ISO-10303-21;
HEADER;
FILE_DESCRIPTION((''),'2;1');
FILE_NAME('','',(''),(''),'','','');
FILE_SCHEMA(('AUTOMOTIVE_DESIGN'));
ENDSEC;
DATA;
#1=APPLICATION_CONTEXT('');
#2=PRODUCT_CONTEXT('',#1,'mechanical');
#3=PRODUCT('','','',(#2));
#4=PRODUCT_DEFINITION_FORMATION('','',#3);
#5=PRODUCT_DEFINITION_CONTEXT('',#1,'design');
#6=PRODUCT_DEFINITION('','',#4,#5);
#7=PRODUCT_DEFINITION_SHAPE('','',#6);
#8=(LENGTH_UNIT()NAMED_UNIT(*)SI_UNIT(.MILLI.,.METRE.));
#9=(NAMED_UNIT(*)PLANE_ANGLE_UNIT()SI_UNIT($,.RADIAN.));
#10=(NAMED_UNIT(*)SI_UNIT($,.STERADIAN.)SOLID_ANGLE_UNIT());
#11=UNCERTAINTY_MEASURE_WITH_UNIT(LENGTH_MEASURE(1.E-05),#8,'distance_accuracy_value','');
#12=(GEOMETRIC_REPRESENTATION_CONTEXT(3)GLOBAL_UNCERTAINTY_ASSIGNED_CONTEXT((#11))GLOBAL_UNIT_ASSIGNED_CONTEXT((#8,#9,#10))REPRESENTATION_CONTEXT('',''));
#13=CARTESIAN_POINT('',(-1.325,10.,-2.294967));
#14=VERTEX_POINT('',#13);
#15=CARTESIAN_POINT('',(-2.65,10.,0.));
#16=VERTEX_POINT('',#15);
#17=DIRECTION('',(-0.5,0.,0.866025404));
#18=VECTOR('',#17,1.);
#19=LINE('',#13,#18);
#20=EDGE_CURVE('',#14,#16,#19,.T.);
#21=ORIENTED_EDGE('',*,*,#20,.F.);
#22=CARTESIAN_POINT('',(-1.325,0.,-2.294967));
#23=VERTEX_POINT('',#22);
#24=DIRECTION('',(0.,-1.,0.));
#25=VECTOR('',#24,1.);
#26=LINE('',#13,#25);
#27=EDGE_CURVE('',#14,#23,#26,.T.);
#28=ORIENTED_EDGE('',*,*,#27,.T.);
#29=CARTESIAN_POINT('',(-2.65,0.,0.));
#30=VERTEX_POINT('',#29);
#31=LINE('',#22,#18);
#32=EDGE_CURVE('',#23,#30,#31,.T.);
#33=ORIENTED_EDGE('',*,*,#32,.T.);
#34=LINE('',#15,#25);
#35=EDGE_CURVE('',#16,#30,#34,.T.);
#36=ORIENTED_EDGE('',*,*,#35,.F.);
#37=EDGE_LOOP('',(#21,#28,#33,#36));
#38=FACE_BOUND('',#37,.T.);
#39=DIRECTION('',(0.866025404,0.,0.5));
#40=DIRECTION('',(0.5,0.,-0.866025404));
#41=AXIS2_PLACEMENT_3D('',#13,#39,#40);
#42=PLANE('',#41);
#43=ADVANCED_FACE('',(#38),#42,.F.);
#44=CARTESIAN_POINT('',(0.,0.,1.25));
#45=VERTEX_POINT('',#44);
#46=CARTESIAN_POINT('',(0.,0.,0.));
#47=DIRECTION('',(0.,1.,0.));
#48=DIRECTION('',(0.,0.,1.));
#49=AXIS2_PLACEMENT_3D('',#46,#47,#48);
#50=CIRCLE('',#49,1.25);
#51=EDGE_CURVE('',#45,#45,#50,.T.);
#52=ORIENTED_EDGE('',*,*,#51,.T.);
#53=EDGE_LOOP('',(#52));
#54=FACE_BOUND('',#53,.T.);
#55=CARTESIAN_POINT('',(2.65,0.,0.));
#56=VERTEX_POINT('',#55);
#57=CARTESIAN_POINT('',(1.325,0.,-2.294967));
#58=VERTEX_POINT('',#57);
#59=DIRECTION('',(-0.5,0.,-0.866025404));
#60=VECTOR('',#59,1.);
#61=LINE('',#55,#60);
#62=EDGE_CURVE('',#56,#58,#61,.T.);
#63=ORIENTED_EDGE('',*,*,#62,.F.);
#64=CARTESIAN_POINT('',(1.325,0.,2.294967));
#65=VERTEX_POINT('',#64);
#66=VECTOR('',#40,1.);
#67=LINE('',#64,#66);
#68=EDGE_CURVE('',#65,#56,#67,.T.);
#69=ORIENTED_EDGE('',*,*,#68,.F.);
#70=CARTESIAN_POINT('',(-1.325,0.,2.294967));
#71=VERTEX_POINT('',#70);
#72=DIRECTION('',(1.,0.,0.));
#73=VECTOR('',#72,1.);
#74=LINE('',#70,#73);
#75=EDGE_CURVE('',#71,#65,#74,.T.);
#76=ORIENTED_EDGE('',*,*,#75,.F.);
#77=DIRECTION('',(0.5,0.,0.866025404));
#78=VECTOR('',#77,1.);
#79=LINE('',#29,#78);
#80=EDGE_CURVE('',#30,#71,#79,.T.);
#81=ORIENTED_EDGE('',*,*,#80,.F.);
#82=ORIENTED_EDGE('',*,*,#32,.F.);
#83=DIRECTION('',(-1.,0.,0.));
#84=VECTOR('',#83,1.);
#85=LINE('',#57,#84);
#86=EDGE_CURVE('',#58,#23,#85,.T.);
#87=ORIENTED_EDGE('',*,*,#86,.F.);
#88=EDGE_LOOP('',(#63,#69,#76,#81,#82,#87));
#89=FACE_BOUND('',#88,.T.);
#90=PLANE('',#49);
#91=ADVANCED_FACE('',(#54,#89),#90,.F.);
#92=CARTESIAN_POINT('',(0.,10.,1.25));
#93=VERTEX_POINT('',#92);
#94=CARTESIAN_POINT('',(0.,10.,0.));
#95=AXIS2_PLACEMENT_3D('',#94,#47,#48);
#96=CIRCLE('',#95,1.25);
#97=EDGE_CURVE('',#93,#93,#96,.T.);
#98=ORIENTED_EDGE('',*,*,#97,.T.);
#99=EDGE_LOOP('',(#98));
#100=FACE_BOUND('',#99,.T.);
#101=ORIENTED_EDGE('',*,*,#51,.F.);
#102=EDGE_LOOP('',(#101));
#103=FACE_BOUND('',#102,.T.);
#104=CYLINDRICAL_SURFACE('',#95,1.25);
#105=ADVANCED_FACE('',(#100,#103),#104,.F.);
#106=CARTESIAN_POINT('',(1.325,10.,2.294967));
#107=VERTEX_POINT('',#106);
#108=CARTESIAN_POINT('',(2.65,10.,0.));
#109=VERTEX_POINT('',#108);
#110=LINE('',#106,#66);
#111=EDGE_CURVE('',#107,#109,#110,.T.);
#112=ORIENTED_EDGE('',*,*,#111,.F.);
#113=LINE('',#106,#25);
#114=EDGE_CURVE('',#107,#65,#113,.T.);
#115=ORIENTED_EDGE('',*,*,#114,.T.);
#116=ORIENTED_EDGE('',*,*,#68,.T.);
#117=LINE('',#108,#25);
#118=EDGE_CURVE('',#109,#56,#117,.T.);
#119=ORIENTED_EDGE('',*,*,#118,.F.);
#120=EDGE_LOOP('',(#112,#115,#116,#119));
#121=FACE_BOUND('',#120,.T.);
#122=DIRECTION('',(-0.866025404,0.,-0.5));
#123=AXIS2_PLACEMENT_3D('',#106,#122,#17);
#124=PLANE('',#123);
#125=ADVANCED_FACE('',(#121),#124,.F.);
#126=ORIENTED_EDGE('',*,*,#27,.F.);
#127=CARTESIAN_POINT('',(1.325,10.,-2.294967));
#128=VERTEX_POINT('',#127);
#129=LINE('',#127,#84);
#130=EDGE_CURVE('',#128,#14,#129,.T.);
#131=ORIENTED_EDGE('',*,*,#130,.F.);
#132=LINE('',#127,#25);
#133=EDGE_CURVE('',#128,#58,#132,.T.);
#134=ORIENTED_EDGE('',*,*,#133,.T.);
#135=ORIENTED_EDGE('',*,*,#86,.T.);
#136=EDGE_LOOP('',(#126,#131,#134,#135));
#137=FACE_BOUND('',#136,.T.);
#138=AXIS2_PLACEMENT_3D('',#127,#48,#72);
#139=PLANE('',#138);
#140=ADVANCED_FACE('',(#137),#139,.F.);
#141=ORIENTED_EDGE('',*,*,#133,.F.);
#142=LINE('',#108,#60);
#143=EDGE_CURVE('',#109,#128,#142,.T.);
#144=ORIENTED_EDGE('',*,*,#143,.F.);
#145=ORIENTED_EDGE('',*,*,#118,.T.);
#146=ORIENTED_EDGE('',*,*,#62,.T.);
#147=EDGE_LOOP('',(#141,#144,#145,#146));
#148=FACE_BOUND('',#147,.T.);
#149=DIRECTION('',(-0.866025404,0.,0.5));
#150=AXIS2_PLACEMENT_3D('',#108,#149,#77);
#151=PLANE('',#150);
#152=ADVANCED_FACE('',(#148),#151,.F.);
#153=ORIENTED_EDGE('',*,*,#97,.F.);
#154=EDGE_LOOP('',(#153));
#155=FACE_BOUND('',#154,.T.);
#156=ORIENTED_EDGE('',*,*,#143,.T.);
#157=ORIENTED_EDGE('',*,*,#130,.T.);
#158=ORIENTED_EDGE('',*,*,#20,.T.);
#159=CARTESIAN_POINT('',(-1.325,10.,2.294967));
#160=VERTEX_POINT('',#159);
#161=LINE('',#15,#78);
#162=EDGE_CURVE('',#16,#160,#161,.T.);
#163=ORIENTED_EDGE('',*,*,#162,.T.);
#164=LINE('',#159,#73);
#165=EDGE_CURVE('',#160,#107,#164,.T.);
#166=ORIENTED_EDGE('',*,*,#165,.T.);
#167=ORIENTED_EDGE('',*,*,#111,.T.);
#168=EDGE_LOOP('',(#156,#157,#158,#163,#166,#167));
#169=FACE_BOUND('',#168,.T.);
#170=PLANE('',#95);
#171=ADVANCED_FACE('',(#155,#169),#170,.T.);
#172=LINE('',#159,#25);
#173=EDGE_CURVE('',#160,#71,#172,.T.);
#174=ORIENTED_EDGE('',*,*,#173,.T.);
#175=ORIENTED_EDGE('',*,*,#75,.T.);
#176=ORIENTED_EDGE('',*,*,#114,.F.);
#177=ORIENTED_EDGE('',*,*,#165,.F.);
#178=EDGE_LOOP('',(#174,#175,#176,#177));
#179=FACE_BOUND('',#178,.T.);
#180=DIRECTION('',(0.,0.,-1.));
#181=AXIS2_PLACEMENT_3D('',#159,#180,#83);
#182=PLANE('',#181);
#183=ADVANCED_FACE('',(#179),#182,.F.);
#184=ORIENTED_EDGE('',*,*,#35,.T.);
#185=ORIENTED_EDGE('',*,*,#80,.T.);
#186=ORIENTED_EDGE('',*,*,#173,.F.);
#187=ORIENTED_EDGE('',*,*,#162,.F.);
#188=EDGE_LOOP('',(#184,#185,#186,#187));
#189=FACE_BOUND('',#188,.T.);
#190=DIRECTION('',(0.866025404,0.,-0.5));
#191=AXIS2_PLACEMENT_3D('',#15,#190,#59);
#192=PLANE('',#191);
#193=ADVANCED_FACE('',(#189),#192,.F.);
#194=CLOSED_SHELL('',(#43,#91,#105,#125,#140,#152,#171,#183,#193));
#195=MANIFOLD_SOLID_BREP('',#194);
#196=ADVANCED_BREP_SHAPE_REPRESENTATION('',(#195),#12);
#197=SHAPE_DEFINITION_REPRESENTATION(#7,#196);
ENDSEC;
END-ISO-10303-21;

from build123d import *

# Parameters (mm, degrees)
BOSS_EXTRUDE1_DEPTH     = 10
TAP_DRILL_FOR_M3_TAP1_D = 2.5


with BuildPart() as part:
    # Sketch1 → Boss-Extrude1 (new body)
    with BuildSketch(Plane(origin=(0, 0, 0), x_dir=(1, 0, 0), z_dir=(0, 1, 0))):
        Polygon((2.65, 0), (1.325, 2.29496732), (-1.325, 2.29496732), (-2.65, 0), (-1.325, -2.29496732), (1.325, -2.29496732), align=None)
    extrude(amount=BOSS_EXTRUDE1_DEPTH)

    # Tap Drill for M3 Tap1 (through all)
    with Locations(Plane(origin=(0, 10, 0), x_dir=(1, 0, 0), z_dir=(0, 1, 0))):
        with Locations((0, 0)):
            Hole(TAP_DRILL_FOR_M3_TAP1_D / 2)


solid = part.part
